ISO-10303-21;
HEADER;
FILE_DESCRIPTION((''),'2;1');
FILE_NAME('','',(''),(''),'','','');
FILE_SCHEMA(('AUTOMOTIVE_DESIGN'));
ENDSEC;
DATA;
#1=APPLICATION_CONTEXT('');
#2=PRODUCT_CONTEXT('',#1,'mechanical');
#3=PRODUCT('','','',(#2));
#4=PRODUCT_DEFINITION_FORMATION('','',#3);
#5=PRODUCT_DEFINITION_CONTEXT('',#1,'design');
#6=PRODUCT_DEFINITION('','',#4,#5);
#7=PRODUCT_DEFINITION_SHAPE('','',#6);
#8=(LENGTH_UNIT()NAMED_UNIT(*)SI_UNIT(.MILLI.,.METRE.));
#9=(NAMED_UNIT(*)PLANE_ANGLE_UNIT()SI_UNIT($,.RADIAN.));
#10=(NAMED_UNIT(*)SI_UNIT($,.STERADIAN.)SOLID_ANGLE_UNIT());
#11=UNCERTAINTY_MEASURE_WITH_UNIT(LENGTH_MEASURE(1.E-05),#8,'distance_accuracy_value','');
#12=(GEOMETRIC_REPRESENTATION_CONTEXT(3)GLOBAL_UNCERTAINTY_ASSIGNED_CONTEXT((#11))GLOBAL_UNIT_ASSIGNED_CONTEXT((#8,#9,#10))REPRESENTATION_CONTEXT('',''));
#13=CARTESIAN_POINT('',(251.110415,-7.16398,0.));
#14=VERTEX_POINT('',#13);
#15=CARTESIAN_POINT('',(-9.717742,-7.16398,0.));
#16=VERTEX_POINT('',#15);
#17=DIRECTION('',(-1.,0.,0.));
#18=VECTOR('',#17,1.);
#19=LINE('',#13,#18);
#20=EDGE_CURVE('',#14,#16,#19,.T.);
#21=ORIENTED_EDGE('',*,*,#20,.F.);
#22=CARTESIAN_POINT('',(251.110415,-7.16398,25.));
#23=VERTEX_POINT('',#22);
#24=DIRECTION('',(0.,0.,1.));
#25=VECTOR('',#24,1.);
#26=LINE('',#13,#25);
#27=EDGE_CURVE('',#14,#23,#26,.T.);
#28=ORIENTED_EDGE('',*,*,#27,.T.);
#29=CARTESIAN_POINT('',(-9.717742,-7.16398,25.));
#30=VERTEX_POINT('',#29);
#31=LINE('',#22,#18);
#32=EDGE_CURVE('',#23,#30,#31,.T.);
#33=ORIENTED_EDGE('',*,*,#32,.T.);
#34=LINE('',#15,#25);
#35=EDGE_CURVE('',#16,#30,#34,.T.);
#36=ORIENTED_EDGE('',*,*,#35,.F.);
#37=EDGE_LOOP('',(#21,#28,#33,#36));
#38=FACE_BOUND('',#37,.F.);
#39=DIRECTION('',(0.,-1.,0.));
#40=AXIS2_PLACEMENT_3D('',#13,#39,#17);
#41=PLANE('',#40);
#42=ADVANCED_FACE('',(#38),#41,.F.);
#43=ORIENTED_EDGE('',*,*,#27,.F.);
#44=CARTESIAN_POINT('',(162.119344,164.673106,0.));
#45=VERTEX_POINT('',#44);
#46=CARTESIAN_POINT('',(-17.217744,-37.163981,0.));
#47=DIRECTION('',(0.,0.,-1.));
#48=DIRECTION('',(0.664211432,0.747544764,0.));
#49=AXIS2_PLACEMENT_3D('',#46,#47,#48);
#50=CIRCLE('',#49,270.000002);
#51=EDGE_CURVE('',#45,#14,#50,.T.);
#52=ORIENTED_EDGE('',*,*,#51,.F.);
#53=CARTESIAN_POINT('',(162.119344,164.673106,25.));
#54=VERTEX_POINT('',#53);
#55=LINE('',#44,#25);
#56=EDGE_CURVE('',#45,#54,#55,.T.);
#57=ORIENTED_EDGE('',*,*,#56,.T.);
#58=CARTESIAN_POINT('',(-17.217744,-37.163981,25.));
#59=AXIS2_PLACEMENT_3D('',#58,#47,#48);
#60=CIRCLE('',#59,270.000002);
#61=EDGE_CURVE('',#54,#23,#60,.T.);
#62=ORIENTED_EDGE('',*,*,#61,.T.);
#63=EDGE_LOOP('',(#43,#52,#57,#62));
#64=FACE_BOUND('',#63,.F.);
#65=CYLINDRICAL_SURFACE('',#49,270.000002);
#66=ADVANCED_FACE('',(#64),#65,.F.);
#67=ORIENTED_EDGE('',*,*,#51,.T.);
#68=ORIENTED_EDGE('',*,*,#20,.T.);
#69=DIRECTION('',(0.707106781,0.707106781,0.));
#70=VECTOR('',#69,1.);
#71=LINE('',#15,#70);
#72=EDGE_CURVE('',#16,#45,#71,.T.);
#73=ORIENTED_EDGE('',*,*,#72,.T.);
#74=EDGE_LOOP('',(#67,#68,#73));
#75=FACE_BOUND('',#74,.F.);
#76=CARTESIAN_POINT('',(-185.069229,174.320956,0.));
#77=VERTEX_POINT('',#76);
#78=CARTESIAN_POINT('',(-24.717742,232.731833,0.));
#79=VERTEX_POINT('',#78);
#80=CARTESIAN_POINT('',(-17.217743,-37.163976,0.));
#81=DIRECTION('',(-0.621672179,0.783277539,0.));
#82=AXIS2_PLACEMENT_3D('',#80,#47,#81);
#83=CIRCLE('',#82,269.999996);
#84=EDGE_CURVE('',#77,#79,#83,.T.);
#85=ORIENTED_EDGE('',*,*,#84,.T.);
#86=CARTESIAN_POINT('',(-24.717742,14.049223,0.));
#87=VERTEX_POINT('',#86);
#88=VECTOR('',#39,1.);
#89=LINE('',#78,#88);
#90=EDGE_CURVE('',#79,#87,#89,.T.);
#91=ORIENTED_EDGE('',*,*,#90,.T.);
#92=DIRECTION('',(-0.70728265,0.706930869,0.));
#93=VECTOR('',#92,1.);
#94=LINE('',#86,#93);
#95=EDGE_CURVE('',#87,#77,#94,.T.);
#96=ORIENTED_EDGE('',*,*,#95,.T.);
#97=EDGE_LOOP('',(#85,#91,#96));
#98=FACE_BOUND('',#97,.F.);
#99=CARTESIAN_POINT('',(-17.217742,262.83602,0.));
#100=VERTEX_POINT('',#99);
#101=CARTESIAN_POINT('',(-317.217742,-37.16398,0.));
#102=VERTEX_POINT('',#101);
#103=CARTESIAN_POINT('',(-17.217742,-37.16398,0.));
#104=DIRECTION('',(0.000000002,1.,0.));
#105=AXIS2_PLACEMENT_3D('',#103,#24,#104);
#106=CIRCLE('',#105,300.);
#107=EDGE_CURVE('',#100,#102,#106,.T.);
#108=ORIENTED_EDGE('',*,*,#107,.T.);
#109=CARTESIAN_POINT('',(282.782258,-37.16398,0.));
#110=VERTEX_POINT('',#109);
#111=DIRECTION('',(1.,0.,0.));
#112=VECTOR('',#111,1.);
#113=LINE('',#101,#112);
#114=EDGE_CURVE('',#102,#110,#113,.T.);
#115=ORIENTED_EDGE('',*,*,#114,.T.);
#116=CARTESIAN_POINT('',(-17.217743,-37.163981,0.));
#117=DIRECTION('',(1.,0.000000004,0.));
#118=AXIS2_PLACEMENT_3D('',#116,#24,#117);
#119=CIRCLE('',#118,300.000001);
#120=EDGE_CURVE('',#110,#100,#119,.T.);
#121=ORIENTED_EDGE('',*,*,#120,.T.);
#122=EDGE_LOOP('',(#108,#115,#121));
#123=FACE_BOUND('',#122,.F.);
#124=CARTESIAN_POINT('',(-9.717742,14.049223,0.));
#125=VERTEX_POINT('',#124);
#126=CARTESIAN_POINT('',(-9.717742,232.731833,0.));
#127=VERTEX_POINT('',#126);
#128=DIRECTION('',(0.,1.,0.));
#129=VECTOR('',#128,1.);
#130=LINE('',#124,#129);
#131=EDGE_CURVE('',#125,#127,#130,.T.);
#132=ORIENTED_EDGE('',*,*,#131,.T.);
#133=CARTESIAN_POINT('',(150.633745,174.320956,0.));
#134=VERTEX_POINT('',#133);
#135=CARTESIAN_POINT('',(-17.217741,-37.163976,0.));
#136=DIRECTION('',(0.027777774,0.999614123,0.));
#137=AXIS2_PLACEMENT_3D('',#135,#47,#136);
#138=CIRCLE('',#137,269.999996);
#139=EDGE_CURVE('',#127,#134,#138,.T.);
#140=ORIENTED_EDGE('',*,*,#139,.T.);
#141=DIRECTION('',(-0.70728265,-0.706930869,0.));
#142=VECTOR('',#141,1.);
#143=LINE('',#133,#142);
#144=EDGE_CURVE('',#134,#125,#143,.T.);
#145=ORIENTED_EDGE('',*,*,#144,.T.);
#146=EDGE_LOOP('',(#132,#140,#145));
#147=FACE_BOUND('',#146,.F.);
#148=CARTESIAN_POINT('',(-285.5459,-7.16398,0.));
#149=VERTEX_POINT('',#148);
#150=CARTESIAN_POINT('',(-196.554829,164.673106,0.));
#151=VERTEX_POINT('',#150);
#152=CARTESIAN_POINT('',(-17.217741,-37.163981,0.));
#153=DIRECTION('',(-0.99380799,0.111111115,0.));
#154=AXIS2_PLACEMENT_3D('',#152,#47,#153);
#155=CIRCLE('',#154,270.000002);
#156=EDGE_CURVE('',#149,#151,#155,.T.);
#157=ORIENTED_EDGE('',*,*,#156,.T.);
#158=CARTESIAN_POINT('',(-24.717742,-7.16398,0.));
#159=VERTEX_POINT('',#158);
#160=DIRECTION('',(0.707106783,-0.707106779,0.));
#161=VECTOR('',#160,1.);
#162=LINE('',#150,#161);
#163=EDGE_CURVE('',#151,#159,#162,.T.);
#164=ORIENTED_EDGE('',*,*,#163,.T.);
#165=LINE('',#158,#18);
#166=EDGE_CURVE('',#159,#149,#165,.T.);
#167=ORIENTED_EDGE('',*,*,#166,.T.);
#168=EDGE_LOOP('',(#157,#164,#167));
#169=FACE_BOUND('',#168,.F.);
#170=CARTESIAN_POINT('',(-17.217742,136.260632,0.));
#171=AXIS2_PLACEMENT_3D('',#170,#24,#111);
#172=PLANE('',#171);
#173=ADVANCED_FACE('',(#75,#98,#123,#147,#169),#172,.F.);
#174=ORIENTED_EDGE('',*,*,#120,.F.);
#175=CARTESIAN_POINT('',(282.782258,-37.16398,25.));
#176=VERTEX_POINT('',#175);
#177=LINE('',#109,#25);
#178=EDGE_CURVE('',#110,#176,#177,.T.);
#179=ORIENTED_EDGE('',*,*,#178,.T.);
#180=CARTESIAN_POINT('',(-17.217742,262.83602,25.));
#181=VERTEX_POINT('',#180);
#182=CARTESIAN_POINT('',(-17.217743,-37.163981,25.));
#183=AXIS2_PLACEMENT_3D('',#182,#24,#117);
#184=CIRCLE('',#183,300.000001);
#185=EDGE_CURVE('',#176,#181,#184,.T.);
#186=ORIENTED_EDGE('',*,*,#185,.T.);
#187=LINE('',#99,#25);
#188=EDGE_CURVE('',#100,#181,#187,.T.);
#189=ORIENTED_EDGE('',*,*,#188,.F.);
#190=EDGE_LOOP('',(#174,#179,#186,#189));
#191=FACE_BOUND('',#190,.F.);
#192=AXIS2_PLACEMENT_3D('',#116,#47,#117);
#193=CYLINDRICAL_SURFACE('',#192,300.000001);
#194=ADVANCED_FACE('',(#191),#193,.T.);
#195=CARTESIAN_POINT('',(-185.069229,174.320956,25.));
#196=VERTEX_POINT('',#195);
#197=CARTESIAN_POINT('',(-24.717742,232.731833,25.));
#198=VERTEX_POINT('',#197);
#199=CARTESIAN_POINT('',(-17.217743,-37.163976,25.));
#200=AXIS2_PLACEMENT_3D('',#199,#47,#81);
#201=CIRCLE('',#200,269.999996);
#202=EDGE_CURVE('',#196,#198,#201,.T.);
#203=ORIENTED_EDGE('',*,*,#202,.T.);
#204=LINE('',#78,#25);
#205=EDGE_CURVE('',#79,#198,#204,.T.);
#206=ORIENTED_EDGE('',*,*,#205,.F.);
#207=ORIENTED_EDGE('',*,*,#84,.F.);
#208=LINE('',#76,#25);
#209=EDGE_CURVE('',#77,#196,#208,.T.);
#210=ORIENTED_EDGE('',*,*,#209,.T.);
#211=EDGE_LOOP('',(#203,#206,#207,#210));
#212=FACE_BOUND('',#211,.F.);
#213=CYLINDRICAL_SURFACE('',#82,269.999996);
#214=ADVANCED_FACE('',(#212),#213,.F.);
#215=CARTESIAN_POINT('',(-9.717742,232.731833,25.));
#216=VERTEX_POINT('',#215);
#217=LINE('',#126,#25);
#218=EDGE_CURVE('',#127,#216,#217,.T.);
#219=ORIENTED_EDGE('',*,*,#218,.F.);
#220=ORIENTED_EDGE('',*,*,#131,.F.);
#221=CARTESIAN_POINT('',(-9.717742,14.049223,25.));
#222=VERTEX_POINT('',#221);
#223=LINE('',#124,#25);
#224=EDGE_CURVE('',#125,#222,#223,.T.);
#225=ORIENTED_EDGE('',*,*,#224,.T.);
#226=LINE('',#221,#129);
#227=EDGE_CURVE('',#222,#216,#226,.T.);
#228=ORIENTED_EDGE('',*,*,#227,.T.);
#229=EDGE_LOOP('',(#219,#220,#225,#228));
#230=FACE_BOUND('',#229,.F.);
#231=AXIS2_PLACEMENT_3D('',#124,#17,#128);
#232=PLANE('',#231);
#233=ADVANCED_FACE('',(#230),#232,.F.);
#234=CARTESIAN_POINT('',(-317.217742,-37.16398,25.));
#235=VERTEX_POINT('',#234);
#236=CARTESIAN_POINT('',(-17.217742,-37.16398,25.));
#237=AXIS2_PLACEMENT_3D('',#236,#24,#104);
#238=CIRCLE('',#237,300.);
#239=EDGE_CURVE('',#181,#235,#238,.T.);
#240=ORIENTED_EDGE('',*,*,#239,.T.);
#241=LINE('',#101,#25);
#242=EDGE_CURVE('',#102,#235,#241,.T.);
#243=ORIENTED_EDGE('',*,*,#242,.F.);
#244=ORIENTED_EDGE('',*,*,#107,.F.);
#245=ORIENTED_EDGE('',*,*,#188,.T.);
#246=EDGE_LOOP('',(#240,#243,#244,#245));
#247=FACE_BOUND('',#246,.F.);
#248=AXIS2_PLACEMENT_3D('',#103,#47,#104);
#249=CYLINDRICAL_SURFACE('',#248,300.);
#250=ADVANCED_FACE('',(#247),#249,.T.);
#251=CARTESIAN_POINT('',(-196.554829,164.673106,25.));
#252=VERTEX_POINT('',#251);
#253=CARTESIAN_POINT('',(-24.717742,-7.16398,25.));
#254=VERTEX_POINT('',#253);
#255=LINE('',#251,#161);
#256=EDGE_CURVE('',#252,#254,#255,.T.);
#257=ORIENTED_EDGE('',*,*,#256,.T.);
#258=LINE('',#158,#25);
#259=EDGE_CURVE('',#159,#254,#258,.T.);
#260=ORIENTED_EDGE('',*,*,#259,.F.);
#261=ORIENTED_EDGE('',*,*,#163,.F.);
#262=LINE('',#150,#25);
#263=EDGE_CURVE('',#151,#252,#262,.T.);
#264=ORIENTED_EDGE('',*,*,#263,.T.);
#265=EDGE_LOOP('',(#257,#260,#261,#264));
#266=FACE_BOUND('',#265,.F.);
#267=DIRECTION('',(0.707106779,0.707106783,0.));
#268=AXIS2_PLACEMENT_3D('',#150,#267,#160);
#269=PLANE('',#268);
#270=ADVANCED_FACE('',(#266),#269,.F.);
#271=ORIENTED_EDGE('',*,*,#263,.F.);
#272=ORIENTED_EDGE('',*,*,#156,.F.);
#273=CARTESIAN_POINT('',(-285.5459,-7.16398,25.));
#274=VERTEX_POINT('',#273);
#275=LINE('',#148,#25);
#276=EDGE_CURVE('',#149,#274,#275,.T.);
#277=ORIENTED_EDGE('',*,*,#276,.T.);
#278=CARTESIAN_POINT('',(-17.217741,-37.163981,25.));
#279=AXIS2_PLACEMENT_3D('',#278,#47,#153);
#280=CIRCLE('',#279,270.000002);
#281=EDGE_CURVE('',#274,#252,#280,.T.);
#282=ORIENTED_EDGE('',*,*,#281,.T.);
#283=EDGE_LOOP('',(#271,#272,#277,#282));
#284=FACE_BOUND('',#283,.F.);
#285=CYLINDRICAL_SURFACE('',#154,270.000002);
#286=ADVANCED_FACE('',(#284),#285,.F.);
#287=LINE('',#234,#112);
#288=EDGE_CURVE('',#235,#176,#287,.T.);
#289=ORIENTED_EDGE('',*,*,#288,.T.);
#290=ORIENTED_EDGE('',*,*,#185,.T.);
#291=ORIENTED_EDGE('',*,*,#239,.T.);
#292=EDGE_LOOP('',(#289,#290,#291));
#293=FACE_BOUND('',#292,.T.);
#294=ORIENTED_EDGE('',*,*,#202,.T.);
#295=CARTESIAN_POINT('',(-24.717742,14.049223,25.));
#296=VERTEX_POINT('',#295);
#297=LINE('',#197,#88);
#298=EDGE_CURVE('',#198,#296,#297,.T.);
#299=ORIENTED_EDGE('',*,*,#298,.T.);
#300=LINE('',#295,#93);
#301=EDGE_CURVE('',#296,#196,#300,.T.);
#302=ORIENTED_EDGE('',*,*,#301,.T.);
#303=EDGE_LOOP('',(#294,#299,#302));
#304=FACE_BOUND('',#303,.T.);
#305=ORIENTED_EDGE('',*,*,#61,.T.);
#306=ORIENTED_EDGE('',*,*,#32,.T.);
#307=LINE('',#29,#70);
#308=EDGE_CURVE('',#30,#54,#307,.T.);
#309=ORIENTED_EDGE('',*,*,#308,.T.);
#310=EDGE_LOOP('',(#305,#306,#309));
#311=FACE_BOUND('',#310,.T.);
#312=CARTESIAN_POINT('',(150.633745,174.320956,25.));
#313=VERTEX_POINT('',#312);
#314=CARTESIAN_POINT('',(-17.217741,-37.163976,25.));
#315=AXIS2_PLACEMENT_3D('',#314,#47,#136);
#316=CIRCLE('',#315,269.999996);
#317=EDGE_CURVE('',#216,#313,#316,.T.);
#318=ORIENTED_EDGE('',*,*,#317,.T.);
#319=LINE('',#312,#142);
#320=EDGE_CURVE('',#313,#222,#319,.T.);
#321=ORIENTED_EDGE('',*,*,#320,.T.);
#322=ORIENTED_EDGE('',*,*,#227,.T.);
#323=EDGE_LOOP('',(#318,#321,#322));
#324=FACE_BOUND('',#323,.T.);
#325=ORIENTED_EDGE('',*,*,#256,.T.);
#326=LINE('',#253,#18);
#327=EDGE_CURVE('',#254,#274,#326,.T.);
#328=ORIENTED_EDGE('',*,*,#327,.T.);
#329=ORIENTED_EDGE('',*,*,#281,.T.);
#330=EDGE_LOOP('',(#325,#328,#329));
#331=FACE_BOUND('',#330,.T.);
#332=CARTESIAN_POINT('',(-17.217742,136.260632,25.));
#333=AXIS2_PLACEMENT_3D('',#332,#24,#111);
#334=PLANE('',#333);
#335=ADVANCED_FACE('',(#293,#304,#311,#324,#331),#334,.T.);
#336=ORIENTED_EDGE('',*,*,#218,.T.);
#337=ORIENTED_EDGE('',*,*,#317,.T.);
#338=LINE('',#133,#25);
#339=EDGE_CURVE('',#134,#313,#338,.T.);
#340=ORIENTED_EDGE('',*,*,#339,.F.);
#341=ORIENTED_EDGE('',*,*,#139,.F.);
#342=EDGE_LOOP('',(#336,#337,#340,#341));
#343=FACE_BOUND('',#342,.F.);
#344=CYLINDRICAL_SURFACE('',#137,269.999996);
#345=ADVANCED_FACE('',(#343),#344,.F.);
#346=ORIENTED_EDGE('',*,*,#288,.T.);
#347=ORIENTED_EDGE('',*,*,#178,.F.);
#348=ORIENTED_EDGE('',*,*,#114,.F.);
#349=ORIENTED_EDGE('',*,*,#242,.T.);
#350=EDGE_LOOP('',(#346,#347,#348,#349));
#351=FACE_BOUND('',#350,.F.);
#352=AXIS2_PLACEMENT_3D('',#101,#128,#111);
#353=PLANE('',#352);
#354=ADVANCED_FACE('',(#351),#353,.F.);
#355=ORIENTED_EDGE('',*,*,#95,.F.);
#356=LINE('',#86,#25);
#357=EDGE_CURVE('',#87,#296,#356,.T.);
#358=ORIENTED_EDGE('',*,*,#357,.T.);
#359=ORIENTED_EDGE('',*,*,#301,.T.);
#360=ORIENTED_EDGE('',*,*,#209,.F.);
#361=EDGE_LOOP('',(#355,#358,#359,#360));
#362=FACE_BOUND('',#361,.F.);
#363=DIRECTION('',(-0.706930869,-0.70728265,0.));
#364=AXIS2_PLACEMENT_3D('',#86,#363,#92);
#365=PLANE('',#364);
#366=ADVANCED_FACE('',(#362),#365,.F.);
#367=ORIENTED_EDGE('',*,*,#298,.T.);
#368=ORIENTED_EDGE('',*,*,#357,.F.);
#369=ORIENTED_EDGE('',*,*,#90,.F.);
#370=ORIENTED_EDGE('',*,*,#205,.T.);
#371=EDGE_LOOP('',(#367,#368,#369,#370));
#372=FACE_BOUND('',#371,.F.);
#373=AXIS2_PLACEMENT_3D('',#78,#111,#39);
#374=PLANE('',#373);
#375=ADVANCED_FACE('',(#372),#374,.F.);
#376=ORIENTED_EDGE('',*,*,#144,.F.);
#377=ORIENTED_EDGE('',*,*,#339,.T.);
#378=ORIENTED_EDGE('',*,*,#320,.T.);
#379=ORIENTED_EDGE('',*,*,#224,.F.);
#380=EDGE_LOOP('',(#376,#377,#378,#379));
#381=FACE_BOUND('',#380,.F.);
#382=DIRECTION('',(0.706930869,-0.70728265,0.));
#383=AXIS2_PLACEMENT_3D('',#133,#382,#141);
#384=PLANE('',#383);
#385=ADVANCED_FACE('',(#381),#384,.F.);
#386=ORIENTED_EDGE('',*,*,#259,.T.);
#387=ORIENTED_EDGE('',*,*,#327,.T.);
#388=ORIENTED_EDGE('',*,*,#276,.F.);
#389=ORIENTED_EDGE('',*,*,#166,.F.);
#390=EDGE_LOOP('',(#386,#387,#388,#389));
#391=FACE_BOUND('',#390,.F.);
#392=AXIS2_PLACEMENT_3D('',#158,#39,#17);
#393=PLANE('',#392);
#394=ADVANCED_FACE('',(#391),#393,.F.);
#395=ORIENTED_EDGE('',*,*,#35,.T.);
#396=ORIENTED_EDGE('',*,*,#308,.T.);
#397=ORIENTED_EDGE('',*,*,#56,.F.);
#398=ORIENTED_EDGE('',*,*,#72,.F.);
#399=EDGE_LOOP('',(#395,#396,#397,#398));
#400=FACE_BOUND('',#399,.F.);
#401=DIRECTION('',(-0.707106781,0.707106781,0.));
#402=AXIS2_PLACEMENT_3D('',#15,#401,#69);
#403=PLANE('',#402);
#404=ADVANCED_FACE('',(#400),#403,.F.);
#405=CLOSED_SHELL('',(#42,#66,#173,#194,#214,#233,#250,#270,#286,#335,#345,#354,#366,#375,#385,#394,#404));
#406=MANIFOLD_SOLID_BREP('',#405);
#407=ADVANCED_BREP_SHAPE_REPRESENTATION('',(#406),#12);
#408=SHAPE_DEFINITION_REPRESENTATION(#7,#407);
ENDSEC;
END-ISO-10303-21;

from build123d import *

# Parameters (mm, degrees)
F1_DEPTH = 25


with BuildPart() as f1:
    # F0 (on Top) → F1 (new body)
    with BuildSketch(Plane.XY):
        with BuildLine():
            ThreePointArc((-17.217742, 262.83602), (-229.349777, 174.968054), (-317.217742, -37.16398))
            Line((-317.217742, -37.16398), (-287.217742, -37.16398))
            ThreePointArc((-287.217742, -37.16398), (-286.799458, -22.140706), (-285.5459, -7.16398))
            ThreePointArc((-285.5459, -7.16398), (-256.973949, 87.001077), (-196.554829, 164.673106))
            ThreePointArc((-196.554829, 164.673106), (-190.879041, 169.576808), (-185.069229, 174.320956))
            ThreePointArc((-185.069229, 174.320956), (-109.629828, 216.52876), (-24.717742, 232.731833))
            ThreePointArc((-24.717742, 232.731833), (-17.217742, 232.83602), (-9.717742, 232.731833))
            ThreePointArc((-9.717742, 232.731833), (75.194344, 216.52876), (150.633745, 174.320956))
            ThreePointArc((150.633745, 174.320956), (156.443556, 169.576808), (162.119344, 164.673106))
            ThreePointArc((162.119344, 164.673106), (222.538464, 87.001077), (251.110415, -7.16398))
            ThreePointArc((251.110415, -7.16398), (252.363973, -22.140706), (252.782258, -37.16398))
            Line((252.782258, -37.16398), (282.782258, -37.16398))
            ThreePointArc((282.782258, -37.16398), (194.914292, 174.968054), (-17.217742, 262.83602))
        make_face()
        with BuildLine():
            ThreePointArc((-285.5459, -7.16398), (-286.799458, -22.140706), (-287.217742, -37.16398))
            Line((-287.217742, -37.16398), (252.782258, -37.16398))
            ThreePointArc((252.782258, -37.16398), (252.363973, -22.140706), (251.110415, -7.16398))
            Line((251.110415, -7.16398), (-9.717742, -7.16398))
            Line((-9.717742, -7.16398), (162.119344, 164.673106))
            ThreePointArc((162.119344, 164.673106), (156.443556, 169.576808), (150.633745, 174.320956))
            Line((150.633745, 174.320956), (-9.717742, 14.049223))
            Line((-9.717742, 14.049223), (-9.717742, 232.731833))
            ThreePointArc((-9.717742, 232.731833), (-17.217742, 232.83602), (-24.717742, 232.731833))
            Line((-24.717742, 232.731833), (-24.717742, 14.049223))
            Line((-24.717742, 14.049223), (-185.069229, 174.320956))
            ThreePointArc((-185.069229, 174.320956), (-190.879041, 169.576808), (-196.554829, 164.673106))
            Line((-196.554829, 164.673106), (-24.717742, -7.16398))
            Line((-24.717742, -7.16398), (-285.5459, -7.16398))
        make_face()
    extrude(amount=F1_DEPTH)


solid = f1.part
